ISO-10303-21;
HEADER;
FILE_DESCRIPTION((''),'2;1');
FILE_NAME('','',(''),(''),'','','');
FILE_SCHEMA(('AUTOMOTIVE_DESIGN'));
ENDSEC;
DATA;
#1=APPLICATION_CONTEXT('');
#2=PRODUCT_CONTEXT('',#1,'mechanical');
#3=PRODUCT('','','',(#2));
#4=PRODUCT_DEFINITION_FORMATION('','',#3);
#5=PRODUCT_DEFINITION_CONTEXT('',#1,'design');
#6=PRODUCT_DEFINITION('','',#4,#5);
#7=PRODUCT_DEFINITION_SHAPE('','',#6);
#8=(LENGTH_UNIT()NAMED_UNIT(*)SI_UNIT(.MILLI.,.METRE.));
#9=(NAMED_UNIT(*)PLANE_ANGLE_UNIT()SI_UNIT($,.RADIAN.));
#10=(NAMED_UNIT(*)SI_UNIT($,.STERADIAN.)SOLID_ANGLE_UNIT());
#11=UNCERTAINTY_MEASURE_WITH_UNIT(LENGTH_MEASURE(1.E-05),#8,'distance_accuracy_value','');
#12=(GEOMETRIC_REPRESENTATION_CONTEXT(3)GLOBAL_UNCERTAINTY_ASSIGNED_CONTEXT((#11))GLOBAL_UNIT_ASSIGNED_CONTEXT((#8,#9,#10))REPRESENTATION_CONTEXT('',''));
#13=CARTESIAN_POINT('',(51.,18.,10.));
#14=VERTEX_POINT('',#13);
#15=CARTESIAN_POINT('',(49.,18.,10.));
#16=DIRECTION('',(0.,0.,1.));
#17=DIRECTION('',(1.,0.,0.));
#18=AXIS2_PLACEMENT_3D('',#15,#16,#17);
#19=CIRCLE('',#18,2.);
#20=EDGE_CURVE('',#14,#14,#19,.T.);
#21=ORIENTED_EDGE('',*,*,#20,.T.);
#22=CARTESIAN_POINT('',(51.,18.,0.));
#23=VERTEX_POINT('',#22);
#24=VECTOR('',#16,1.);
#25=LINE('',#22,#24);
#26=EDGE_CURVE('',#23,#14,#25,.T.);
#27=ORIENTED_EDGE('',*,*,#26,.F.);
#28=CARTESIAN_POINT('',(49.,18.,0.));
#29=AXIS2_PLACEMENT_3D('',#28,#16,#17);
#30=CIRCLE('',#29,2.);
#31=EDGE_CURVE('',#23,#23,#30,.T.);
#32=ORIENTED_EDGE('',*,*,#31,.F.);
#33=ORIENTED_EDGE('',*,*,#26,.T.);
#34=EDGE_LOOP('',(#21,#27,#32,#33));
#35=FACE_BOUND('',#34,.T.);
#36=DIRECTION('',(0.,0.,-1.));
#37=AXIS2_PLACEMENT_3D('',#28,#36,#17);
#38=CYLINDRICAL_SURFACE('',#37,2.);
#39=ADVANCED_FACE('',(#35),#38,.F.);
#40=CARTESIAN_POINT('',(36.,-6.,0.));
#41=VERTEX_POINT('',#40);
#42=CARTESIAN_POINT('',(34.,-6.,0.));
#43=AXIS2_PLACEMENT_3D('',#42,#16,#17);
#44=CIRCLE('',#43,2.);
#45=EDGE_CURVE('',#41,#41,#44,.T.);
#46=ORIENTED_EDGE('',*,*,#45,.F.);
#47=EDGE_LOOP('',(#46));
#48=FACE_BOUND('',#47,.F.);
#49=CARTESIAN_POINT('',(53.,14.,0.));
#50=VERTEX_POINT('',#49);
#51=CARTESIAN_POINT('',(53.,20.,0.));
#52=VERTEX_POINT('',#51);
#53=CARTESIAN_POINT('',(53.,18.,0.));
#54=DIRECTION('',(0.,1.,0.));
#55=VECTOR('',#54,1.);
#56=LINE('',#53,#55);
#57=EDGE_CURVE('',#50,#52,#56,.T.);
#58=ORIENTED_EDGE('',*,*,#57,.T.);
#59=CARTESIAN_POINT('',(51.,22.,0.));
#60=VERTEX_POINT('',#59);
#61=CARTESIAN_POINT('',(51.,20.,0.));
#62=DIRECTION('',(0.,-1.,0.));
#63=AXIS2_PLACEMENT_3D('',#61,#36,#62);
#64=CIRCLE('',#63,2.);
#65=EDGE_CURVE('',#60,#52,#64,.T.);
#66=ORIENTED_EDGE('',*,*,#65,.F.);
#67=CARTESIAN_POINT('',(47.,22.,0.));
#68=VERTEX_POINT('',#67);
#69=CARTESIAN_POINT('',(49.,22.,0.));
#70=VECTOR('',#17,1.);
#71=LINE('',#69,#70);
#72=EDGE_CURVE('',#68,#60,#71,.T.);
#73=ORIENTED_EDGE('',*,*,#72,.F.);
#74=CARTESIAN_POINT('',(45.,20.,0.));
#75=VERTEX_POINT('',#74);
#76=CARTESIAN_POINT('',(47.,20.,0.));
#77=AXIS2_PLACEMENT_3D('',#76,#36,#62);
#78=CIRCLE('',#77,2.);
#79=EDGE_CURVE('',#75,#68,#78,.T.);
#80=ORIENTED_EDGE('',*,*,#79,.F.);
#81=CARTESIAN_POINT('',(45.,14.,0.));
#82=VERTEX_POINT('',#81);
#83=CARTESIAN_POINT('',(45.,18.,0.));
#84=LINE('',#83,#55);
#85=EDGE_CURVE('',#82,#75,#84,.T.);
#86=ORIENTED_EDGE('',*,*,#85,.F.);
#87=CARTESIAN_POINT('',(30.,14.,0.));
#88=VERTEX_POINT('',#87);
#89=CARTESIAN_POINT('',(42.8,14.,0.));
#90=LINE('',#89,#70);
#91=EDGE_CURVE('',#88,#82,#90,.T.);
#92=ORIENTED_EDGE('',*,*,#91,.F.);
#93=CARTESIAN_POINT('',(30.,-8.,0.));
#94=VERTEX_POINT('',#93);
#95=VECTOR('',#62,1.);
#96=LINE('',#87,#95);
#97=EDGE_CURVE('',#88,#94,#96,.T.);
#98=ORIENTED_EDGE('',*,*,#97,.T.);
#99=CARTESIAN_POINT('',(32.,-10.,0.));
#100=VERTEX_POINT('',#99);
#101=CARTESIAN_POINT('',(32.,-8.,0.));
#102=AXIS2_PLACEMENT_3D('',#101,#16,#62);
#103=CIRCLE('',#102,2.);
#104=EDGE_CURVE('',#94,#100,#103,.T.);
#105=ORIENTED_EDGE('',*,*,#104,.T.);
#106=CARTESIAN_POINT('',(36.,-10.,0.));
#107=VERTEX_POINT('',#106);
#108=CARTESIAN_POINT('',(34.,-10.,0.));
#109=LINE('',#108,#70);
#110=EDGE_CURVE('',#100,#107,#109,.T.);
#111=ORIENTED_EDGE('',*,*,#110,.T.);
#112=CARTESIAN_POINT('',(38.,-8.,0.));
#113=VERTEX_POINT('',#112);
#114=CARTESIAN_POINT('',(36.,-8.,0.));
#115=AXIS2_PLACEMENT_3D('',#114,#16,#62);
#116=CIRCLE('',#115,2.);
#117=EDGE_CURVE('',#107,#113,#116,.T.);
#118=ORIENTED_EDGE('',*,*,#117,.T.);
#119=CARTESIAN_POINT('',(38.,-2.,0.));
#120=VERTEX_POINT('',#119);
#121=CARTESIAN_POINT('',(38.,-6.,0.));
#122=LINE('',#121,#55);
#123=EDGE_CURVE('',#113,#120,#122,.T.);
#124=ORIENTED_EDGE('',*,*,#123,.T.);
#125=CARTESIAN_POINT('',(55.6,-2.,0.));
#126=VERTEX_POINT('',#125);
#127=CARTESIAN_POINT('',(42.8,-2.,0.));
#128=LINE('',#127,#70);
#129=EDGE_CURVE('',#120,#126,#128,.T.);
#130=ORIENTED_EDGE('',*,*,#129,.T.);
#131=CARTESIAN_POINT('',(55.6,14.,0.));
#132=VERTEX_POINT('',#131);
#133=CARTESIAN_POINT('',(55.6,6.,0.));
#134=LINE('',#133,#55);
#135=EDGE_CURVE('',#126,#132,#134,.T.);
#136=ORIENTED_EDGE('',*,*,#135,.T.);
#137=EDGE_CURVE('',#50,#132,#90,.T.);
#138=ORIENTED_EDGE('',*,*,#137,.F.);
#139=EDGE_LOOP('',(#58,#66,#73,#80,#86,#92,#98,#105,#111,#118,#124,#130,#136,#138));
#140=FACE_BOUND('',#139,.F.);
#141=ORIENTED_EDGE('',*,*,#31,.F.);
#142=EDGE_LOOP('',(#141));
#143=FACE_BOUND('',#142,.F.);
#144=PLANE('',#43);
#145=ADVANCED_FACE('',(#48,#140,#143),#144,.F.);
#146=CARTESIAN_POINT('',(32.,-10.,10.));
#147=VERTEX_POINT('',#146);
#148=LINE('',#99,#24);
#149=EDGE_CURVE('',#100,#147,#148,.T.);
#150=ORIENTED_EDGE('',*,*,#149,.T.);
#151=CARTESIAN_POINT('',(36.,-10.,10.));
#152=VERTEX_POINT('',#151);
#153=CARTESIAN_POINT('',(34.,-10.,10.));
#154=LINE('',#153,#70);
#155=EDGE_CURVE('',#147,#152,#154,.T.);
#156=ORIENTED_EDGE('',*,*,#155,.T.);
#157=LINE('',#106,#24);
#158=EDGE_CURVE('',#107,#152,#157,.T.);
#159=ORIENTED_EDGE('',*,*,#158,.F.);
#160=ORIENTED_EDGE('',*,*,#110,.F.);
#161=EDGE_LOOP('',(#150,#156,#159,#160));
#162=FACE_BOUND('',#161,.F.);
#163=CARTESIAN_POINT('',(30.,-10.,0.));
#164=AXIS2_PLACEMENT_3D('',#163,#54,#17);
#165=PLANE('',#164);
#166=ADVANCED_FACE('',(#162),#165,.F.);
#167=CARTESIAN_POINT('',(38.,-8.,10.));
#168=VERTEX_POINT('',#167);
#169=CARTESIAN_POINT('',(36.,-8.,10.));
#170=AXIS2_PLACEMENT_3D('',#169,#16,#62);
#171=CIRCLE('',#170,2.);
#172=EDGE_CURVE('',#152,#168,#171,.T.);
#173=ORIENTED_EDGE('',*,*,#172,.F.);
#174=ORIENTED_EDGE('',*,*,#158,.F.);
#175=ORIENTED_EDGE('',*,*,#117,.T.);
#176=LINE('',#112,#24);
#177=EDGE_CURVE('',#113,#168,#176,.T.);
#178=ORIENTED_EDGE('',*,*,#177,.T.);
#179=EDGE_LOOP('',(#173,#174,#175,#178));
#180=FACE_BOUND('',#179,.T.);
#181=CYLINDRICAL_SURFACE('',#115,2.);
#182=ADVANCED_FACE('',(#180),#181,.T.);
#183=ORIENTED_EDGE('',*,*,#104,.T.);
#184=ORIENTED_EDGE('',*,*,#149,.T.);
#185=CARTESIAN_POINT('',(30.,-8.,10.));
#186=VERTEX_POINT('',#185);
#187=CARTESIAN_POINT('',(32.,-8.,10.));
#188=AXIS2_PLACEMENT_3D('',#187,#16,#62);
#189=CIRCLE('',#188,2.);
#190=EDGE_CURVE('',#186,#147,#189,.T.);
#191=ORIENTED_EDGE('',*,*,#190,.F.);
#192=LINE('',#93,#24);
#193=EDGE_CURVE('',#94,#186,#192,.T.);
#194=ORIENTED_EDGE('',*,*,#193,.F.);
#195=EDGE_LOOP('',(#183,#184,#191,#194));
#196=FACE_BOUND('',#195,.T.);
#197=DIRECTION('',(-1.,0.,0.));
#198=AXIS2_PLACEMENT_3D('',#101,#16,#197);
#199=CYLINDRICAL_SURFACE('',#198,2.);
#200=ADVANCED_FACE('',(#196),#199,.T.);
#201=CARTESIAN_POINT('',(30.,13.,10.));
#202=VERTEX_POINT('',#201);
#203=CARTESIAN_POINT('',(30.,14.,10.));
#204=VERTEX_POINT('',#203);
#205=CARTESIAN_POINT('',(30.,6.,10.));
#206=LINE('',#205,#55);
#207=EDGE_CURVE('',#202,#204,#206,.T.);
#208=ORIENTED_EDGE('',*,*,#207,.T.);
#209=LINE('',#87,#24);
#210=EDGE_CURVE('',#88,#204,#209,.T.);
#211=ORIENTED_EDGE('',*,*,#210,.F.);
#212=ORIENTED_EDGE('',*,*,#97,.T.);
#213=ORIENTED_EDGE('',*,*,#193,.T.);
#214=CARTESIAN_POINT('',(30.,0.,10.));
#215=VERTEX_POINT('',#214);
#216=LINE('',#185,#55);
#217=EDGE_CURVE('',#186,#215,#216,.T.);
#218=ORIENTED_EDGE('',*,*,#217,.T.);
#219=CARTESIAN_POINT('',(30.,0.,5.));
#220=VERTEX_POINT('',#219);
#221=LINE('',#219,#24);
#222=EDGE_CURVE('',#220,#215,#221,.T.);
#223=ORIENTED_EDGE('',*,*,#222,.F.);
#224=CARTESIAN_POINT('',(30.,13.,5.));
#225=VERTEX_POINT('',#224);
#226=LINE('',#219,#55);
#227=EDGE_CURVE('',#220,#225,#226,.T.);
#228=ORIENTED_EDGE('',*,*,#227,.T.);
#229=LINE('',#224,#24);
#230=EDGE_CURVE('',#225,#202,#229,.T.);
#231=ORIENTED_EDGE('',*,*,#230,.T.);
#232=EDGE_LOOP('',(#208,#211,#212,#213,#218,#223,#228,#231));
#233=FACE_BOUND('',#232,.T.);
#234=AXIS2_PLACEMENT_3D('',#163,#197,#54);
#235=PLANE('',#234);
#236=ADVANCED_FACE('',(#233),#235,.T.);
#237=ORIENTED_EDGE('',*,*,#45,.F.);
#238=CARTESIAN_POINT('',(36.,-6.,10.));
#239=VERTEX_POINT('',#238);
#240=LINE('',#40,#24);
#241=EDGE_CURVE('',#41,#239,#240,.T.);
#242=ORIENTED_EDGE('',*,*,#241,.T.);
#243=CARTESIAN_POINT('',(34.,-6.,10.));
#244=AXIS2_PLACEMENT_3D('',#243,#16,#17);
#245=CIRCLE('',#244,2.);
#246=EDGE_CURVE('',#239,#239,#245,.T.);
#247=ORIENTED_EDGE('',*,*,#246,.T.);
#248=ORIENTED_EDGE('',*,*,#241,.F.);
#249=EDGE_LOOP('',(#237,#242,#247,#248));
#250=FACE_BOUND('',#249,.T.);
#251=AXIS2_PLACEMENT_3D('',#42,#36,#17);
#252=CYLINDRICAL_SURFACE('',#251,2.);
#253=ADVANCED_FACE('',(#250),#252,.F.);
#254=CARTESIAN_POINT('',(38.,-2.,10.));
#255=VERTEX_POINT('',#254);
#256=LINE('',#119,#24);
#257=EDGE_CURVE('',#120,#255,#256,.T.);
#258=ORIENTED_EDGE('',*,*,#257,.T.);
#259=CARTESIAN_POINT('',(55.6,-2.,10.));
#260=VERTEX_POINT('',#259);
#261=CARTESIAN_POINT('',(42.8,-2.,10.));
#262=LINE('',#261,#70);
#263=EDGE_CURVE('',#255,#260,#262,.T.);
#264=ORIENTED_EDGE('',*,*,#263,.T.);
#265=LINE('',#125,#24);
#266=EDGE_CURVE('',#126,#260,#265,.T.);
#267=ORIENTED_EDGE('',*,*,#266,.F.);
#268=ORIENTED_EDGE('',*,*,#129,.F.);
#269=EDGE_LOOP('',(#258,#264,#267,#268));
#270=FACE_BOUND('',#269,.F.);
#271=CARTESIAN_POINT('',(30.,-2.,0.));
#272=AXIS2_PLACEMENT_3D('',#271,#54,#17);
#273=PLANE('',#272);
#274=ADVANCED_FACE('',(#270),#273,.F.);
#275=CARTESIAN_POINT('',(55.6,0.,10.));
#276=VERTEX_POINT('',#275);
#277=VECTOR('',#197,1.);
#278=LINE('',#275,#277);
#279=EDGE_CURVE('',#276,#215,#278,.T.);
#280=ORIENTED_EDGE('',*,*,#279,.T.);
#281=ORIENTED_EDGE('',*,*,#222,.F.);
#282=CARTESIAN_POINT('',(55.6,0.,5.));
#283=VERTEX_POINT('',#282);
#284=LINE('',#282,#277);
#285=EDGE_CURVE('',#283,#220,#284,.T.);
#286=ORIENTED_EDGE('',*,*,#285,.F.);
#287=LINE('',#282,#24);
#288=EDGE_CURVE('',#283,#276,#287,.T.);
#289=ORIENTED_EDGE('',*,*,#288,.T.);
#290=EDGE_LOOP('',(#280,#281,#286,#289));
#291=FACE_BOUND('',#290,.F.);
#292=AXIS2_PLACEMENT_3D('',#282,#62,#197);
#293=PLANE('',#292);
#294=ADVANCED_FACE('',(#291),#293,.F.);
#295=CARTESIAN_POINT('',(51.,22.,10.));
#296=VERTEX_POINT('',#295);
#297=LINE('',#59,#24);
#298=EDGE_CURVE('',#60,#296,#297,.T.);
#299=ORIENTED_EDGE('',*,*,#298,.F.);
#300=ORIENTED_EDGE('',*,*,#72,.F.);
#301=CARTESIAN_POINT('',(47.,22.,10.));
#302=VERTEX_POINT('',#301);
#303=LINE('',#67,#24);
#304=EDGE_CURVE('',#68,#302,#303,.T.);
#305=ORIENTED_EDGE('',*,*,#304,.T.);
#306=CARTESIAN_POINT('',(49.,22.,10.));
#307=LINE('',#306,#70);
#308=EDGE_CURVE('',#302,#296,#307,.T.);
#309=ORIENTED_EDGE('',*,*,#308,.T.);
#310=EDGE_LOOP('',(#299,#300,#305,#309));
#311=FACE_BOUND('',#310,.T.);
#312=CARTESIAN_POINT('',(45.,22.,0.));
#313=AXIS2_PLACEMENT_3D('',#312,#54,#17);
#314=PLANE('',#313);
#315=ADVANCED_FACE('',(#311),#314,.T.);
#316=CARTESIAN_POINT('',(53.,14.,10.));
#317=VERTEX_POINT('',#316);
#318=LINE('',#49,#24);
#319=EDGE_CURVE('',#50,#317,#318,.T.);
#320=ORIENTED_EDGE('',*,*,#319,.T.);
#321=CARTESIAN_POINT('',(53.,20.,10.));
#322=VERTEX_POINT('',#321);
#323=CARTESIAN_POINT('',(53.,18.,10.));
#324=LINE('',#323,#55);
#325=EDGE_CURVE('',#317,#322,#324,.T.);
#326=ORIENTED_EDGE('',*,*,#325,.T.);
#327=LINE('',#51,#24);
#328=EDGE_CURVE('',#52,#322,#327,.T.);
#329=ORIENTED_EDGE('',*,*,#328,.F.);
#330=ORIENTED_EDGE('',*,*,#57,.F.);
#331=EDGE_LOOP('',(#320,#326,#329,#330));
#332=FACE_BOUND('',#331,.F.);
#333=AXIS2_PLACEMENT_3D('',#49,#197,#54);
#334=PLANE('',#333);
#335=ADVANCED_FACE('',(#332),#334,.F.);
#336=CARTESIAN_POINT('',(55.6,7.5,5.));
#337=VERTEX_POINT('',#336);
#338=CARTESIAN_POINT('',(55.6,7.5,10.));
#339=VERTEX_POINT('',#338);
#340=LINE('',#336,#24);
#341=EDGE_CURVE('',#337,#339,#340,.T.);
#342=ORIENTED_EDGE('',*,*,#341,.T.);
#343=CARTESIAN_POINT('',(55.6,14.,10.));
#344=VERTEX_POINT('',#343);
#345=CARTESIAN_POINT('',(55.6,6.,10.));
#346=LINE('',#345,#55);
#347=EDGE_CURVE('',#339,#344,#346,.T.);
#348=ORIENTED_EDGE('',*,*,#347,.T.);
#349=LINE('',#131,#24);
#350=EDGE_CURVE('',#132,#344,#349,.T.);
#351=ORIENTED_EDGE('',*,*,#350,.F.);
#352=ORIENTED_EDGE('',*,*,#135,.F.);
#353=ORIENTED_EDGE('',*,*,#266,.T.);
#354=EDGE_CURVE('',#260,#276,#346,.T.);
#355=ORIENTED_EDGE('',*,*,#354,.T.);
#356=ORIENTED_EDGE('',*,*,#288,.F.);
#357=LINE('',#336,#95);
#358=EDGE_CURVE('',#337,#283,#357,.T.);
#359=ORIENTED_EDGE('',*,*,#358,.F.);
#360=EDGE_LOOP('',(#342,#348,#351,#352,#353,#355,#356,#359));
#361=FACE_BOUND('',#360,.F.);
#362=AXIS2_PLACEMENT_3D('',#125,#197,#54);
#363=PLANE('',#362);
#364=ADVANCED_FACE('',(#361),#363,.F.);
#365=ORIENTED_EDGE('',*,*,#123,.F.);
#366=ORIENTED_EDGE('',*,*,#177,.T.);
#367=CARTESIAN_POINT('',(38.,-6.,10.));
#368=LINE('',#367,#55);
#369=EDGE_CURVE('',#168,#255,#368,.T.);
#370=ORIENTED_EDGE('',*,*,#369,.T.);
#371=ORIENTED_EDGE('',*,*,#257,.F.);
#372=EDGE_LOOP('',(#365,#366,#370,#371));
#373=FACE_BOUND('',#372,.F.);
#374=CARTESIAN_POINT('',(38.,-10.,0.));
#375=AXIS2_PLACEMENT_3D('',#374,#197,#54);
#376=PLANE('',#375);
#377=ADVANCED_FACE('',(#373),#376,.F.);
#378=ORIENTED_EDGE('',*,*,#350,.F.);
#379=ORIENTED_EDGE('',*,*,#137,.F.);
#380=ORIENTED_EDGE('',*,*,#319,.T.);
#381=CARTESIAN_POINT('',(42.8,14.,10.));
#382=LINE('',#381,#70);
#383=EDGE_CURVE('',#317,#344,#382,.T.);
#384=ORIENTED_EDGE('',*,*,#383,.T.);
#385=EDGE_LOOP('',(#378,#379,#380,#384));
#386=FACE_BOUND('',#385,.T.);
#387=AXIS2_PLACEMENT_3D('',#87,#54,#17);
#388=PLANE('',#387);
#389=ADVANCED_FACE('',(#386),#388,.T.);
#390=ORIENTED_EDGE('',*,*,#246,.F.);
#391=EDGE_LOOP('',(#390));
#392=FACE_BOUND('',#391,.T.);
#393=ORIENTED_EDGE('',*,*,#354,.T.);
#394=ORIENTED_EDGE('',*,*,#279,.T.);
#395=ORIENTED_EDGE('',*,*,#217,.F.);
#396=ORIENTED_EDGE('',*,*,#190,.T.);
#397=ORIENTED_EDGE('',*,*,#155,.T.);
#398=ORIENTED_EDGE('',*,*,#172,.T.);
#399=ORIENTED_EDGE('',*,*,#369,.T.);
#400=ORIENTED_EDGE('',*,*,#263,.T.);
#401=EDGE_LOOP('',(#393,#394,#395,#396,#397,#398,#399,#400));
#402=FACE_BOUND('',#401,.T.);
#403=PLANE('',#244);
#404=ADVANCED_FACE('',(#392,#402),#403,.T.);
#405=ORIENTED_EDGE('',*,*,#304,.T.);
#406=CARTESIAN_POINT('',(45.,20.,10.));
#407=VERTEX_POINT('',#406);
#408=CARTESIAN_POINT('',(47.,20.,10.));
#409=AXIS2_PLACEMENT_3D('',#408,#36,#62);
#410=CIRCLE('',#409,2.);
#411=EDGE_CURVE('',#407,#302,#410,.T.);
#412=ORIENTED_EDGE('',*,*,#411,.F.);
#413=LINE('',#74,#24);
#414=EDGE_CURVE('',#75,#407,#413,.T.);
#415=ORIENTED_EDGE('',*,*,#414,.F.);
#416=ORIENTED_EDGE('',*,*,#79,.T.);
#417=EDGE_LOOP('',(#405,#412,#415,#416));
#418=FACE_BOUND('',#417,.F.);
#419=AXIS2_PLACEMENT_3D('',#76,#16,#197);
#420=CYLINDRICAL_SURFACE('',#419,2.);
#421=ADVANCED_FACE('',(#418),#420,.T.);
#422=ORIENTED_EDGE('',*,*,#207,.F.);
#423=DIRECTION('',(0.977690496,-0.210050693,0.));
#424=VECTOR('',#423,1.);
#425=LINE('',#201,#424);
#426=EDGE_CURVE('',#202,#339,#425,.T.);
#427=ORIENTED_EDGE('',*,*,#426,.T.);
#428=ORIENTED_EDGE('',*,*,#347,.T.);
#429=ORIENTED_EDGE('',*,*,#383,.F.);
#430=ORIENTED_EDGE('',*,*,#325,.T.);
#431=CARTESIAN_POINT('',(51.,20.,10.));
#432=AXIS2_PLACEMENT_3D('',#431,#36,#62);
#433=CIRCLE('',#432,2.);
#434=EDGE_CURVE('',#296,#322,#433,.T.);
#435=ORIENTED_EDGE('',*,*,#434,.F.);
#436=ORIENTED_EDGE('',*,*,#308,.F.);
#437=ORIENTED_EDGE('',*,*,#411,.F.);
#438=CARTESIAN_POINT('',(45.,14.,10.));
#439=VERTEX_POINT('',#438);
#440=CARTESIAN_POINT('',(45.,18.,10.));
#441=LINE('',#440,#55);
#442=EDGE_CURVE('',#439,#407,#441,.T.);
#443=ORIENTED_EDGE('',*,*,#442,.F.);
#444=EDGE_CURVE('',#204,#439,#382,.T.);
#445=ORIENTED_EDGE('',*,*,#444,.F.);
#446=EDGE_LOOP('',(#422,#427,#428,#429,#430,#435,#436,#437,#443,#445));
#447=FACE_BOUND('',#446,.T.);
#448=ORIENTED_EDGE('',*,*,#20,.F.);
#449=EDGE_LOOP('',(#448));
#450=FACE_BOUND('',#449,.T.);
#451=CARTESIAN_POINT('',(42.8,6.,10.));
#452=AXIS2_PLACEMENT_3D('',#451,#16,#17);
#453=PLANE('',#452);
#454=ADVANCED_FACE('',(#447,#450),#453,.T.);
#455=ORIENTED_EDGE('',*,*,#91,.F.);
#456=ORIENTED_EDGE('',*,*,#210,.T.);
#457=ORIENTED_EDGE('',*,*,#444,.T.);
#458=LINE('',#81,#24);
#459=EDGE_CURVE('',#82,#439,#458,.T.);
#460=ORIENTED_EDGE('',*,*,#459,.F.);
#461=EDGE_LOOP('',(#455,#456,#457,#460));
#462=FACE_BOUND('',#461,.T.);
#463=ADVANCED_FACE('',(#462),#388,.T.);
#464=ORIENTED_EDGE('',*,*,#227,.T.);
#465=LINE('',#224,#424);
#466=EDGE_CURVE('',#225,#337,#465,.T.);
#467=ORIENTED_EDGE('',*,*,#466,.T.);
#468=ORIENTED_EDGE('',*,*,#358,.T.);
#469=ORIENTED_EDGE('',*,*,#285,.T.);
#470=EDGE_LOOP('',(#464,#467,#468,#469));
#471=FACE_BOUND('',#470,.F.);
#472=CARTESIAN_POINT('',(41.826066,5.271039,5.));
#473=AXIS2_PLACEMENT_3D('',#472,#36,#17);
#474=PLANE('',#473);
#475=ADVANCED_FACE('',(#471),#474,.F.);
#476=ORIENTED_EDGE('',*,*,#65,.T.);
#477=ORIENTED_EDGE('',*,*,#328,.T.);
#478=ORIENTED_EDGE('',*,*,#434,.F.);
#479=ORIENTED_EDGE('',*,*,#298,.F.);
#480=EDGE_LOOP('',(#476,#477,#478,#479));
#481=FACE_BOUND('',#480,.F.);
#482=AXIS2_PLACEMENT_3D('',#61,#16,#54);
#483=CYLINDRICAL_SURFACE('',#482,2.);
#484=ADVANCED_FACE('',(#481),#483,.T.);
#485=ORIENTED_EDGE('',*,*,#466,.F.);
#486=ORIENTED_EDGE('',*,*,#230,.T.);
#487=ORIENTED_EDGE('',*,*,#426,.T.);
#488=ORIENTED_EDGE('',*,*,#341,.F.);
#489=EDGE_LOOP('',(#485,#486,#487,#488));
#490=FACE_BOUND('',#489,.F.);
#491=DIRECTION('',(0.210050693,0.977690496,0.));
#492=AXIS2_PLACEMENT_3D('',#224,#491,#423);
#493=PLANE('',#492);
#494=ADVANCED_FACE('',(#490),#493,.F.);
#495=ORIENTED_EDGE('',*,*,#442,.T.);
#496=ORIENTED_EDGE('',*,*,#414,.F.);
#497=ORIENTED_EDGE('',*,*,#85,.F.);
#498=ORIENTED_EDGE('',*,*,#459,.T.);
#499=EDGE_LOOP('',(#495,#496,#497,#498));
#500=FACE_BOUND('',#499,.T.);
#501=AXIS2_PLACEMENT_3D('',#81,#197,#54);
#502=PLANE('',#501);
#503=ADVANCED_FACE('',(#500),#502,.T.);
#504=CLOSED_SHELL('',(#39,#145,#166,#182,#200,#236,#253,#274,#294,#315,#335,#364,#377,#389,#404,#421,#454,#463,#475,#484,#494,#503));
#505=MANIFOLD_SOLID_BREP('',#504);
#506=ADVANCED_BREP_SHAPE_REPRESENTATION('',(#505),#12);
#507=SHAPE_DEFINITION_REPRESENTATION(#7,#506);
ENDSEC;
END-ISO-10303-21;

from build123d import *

# Parameters (mm, degrees)
CYLINDER004_R     = 2
CYLINDER004_DEPTH = 10
BOX003_W          = 8
BOX003_H          = 8
BOX003_DEPTH      = 10
FILLET_R          = 2
CYLINDER005_R     = 2
CYLINDER005_DEPTH = 10
BOX004_W          = 8
BOX004_H          = 8
BOX004_DEPTH      = 10
FILLET001_R       = 2
PAD001_DEPTH      = 5
BOX001_W          = 25.6
BOX001_H          = 16
BOX001_DEPTH      = 10


with BuildPart() as cylinder004:
    # Cylinder004 → Cylinder004 (new body)
    with BuildSketch(Plane(origin=(4, 4, 0), x_dir=(1, 0, 0), z_dir=(0, 0, 1))):
        Circle(CYLINDER004_R)
    extrude(amount=CYLINDER004_DEPTH)


with BuildPart() as fillet_body:
    # Box003 → Box003 (new body)
    with BuildSketch(Plane.XY):
        with Locations((4, 4)):
            Rectangle(BOX003_W, BOX003_H)
    extrude(amount=BOX003_DEPTH)

    # Cut004: cut Cylinder004
    add(cylinder004.part, mode=Mode.SUBTRACT)


with BuildPart() as fillet_body_1:
    # Cut004 placement: moved
    add(fillet_body.part.moved(Location((30, -10, 0))))

    # Fillet
    fillet_edges = [fillet_body_1.edges().sort_by_distance(p)[0] for p in [
        (30, -10, 5),
        (38, -10, 5),
    ]]
    fillet(fillet_edges, radius=FILLET_R)


with BuildPart() as cylinder005:
    # Cylinder005 → Cylinder005 (new body)
    with BuildSketch(Plane(origin=(4, 4, 0), x_dir=(1, 0, 0), z_dir=(0, 0, 1))):
        Circle(CYLINDER005_R)
    extrude(amount=CYLINDER005_DEPTH)


with BuildPart() as fillet001:
    # Box004 → Box004 (new body)
    with BuildSketch(Plane.XY):
        with Locations((4, 4)):
            Rectangle(BOX004_W, BOX004_H)
    extrude(amount=BOX004_DEPTH)

    # Cut005: cut Cylinder005
    add(cylinder005.part, mode=Mode.SUBTRACT)


with BuildPart() as fillet001_1:
    # Cut005 placement: moved
    add(fillet001.part.moved(Location((45, 14, 0))))

    # Fillet001
    fillet001_edges = [fillet001_1.edges().sort_by_distance(p)[0] for p in [
        (45, 22, 5),
        (53, 22, 5),
    ]]
    fillet(fillet001_edges, radius=FILLET001_R)


with BuildPart() as f_200mmbody:
    # Sketch001 → Pad001 (new body)
    with BuildSketch(Plane(origin=(0, 0, 0), x_dir=(-1, 0, 0), z_dir=(0, 0, 1))):
        Polygon((-30, 0), (-30, -13), (-55.6, -7.5), (-55.6, 0), align=None)
    extrude(amount=PAD001_DEPTH)


with BuildPart() as f_200mmbody_1:
    # Body001 placement: moved
    add(f_200mmbody.part.moved(Location((0, 0, 5))))


with BuildPart() as f_200mm:
    # Box001 → Box001 (new body)
    with BuildSketch(Plane(origin=(30, -2, 0), x_dir=(1, 0, 0), z_dir=(0, 0, 1))):
        with Locations((12.8, 8)):
            Rectangle(BOX001_W, BOX001_H)
    extrude(amount=BOX001_DEPTH)

    # Cut001: cut 200mmBody
    add(f_200mmbody_1.part, mode=Mode.SUBTRACT)

    # Fusion: union Fillet body, Fillet001
    add(fillet_body_1.part)
    add(fillet001_1.part)


solid = f_200mm.part
